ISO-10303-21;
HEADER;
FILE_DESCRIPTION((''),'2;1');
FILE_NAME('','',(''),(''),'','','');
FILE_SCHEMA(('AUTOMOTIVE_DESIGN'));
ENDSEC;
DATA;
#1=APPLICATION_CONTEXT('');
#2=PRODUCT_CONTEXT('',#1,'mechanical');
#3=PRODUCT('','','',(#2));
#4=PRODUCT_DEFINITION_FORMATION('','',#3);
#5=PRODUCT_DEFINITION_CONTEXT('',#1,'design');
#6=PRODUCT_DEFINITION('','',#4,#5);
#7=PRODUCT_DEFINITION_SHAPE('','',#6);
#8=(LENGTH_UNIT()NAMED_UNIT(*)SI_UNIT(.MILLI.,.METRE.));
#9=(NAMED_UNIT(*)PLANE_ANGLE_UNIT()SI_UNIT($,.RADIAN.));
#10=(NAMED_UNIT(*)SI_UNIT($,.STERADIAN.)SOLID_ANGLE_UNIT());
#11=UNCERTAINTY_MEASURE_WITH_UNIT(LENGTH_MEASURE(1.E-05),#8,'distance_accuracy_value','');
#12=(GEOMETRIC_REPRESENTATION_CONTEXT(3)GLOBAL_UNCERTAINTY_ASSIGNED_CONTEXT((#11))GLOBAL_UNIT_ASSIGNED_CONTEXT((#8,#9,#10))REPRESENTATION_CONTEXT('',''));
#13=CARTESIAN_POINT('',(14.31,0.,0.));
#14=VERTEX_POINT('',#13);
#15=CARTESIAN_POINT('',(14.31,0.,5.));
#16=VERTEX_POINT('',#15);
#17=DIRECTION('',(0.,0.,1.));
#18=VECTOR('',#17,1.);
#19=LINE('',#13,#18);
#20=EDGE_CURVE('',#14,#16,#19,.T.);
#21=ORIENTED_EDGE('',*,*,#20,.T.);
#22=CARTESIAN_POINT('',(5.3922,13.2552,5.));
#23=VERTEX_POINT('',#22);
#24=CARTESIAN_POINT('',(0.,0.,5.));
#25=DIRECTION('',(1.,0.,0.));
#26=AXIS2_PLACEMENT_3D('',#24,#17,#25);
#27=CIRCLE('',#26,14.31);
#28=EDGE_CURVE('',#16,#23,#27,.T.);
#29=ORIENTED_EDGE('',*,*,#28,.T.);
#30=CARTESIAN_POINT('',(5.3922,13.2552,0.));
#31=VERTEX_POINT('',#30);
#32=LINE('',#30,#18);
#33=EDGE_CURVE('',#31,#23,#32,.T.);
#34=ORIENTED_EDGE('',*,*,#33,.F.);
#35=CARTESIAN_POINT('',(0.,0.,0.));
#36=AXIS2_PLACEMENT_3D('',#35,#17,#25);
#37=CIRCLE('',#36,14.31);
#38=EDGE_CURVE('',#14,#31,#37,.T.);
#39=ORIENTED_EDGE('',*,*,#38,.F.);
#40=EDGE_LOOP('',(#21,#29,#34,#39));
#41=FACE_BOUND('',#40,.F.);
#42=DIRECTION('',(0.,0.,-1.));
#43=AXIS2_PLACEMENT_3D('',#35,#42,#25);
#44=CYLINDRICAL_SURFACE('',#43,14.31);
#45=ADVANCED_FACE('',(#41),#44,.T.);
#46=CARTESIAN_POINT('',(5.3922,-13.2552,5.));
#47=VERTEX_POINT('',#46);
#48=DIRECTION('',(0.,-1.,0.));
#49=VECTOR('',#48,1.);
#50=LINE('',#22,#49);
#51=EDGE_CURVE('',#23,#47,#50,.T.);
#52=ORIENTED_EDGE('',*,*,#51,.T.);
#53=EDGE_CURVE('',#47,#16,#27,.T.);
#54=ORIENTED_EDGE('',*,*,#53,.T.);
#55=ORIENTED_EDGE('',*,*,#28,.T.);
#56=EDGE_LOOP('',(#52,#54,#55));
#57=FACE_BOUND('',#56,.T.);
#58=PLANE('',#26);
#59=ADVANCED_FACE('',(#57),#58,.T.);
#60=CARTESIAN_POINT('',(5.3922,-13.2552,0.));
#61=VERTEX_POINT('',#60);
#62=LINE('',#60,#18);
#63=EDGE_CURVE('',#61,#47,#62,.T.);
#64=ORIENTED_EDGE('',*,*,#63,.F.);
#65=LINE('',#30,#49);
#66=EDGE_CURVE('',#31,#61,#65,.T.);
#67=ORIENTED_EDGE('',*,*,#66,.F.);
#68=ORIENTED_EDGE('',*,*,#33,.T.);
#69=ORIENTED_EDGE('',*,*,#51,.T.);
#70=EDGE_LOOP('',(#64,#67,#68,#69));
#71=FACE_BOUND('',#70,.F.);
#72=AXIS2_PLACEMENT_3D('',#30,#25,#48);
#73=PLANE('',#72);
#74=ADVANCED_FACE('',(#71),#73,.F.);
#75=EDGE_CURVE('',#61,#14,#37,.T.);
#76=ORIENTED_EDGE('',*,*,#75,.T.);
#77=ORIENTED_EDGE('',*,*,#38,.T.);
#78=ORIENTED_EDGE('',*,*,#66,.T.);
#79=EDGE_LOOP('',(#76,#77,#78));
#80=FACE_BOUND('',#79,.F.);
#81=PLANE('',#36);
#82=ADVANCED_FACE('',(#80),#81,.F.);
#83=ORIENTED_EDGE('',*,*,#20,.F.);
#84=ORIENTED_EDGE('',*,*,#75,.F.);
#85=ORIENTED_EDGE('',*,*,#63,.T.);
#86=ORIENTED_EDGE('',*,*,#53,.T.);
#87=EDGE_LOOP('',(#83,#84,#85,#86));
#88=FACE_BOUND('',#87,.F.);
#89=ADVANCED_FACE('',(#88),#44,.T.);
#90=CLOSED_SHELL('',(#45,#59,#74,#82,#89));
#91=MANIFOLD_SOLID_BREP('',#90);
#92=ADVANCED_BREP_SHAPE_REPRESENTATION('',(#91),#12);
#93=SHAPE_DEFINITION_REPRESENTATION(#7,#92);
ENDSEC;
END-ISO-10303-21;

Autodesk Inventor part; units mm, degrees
ref_plane "YZ Plane" through (0, 0, 0) normal (1, 0, 0) x (0, 1, 0)
ref_plane "XZ Plane" through (0, 0, 0) normal (0, 1, 0) x (-1, 0, 0)
ref_plane "XY Plane" through (0, 0, 0) normal (0, 0, 1) x (1, 0, 0)
ref_plane "Work Plane1" through (0, 0, 0) normal (0, 0, 1) x (1, 0, 0)
sketch "Sketch1" plane through (0, 0, 0) normal (0, 0, 1) x (1, 0, 0)
  line L0 (5.2722, 6.9481) -> (5.2722, 3.9219) construction
  line L1 (-5.12, 6.9481) -> (-5.12, 3.9219) construction
  arc A0 (-4, 13.8645) -> (-4, -13.8645) centre (0, 0) ccw construction
  circle A1 centre (0, 0) radius 14.31
  line L2 (5.3922, 13.2552) -> (5.3922, -13.2552)
  point P0 (0, 0)
  dimension "d0" = 0.12
  dimension "d1" = 0.12
extrude "Extrusion1" add sketch "Sketch1" along normal blind 5 contours A1 L2 picked at (6.3789, 3.8732)
properties part number "spaceFiller_3p0"
